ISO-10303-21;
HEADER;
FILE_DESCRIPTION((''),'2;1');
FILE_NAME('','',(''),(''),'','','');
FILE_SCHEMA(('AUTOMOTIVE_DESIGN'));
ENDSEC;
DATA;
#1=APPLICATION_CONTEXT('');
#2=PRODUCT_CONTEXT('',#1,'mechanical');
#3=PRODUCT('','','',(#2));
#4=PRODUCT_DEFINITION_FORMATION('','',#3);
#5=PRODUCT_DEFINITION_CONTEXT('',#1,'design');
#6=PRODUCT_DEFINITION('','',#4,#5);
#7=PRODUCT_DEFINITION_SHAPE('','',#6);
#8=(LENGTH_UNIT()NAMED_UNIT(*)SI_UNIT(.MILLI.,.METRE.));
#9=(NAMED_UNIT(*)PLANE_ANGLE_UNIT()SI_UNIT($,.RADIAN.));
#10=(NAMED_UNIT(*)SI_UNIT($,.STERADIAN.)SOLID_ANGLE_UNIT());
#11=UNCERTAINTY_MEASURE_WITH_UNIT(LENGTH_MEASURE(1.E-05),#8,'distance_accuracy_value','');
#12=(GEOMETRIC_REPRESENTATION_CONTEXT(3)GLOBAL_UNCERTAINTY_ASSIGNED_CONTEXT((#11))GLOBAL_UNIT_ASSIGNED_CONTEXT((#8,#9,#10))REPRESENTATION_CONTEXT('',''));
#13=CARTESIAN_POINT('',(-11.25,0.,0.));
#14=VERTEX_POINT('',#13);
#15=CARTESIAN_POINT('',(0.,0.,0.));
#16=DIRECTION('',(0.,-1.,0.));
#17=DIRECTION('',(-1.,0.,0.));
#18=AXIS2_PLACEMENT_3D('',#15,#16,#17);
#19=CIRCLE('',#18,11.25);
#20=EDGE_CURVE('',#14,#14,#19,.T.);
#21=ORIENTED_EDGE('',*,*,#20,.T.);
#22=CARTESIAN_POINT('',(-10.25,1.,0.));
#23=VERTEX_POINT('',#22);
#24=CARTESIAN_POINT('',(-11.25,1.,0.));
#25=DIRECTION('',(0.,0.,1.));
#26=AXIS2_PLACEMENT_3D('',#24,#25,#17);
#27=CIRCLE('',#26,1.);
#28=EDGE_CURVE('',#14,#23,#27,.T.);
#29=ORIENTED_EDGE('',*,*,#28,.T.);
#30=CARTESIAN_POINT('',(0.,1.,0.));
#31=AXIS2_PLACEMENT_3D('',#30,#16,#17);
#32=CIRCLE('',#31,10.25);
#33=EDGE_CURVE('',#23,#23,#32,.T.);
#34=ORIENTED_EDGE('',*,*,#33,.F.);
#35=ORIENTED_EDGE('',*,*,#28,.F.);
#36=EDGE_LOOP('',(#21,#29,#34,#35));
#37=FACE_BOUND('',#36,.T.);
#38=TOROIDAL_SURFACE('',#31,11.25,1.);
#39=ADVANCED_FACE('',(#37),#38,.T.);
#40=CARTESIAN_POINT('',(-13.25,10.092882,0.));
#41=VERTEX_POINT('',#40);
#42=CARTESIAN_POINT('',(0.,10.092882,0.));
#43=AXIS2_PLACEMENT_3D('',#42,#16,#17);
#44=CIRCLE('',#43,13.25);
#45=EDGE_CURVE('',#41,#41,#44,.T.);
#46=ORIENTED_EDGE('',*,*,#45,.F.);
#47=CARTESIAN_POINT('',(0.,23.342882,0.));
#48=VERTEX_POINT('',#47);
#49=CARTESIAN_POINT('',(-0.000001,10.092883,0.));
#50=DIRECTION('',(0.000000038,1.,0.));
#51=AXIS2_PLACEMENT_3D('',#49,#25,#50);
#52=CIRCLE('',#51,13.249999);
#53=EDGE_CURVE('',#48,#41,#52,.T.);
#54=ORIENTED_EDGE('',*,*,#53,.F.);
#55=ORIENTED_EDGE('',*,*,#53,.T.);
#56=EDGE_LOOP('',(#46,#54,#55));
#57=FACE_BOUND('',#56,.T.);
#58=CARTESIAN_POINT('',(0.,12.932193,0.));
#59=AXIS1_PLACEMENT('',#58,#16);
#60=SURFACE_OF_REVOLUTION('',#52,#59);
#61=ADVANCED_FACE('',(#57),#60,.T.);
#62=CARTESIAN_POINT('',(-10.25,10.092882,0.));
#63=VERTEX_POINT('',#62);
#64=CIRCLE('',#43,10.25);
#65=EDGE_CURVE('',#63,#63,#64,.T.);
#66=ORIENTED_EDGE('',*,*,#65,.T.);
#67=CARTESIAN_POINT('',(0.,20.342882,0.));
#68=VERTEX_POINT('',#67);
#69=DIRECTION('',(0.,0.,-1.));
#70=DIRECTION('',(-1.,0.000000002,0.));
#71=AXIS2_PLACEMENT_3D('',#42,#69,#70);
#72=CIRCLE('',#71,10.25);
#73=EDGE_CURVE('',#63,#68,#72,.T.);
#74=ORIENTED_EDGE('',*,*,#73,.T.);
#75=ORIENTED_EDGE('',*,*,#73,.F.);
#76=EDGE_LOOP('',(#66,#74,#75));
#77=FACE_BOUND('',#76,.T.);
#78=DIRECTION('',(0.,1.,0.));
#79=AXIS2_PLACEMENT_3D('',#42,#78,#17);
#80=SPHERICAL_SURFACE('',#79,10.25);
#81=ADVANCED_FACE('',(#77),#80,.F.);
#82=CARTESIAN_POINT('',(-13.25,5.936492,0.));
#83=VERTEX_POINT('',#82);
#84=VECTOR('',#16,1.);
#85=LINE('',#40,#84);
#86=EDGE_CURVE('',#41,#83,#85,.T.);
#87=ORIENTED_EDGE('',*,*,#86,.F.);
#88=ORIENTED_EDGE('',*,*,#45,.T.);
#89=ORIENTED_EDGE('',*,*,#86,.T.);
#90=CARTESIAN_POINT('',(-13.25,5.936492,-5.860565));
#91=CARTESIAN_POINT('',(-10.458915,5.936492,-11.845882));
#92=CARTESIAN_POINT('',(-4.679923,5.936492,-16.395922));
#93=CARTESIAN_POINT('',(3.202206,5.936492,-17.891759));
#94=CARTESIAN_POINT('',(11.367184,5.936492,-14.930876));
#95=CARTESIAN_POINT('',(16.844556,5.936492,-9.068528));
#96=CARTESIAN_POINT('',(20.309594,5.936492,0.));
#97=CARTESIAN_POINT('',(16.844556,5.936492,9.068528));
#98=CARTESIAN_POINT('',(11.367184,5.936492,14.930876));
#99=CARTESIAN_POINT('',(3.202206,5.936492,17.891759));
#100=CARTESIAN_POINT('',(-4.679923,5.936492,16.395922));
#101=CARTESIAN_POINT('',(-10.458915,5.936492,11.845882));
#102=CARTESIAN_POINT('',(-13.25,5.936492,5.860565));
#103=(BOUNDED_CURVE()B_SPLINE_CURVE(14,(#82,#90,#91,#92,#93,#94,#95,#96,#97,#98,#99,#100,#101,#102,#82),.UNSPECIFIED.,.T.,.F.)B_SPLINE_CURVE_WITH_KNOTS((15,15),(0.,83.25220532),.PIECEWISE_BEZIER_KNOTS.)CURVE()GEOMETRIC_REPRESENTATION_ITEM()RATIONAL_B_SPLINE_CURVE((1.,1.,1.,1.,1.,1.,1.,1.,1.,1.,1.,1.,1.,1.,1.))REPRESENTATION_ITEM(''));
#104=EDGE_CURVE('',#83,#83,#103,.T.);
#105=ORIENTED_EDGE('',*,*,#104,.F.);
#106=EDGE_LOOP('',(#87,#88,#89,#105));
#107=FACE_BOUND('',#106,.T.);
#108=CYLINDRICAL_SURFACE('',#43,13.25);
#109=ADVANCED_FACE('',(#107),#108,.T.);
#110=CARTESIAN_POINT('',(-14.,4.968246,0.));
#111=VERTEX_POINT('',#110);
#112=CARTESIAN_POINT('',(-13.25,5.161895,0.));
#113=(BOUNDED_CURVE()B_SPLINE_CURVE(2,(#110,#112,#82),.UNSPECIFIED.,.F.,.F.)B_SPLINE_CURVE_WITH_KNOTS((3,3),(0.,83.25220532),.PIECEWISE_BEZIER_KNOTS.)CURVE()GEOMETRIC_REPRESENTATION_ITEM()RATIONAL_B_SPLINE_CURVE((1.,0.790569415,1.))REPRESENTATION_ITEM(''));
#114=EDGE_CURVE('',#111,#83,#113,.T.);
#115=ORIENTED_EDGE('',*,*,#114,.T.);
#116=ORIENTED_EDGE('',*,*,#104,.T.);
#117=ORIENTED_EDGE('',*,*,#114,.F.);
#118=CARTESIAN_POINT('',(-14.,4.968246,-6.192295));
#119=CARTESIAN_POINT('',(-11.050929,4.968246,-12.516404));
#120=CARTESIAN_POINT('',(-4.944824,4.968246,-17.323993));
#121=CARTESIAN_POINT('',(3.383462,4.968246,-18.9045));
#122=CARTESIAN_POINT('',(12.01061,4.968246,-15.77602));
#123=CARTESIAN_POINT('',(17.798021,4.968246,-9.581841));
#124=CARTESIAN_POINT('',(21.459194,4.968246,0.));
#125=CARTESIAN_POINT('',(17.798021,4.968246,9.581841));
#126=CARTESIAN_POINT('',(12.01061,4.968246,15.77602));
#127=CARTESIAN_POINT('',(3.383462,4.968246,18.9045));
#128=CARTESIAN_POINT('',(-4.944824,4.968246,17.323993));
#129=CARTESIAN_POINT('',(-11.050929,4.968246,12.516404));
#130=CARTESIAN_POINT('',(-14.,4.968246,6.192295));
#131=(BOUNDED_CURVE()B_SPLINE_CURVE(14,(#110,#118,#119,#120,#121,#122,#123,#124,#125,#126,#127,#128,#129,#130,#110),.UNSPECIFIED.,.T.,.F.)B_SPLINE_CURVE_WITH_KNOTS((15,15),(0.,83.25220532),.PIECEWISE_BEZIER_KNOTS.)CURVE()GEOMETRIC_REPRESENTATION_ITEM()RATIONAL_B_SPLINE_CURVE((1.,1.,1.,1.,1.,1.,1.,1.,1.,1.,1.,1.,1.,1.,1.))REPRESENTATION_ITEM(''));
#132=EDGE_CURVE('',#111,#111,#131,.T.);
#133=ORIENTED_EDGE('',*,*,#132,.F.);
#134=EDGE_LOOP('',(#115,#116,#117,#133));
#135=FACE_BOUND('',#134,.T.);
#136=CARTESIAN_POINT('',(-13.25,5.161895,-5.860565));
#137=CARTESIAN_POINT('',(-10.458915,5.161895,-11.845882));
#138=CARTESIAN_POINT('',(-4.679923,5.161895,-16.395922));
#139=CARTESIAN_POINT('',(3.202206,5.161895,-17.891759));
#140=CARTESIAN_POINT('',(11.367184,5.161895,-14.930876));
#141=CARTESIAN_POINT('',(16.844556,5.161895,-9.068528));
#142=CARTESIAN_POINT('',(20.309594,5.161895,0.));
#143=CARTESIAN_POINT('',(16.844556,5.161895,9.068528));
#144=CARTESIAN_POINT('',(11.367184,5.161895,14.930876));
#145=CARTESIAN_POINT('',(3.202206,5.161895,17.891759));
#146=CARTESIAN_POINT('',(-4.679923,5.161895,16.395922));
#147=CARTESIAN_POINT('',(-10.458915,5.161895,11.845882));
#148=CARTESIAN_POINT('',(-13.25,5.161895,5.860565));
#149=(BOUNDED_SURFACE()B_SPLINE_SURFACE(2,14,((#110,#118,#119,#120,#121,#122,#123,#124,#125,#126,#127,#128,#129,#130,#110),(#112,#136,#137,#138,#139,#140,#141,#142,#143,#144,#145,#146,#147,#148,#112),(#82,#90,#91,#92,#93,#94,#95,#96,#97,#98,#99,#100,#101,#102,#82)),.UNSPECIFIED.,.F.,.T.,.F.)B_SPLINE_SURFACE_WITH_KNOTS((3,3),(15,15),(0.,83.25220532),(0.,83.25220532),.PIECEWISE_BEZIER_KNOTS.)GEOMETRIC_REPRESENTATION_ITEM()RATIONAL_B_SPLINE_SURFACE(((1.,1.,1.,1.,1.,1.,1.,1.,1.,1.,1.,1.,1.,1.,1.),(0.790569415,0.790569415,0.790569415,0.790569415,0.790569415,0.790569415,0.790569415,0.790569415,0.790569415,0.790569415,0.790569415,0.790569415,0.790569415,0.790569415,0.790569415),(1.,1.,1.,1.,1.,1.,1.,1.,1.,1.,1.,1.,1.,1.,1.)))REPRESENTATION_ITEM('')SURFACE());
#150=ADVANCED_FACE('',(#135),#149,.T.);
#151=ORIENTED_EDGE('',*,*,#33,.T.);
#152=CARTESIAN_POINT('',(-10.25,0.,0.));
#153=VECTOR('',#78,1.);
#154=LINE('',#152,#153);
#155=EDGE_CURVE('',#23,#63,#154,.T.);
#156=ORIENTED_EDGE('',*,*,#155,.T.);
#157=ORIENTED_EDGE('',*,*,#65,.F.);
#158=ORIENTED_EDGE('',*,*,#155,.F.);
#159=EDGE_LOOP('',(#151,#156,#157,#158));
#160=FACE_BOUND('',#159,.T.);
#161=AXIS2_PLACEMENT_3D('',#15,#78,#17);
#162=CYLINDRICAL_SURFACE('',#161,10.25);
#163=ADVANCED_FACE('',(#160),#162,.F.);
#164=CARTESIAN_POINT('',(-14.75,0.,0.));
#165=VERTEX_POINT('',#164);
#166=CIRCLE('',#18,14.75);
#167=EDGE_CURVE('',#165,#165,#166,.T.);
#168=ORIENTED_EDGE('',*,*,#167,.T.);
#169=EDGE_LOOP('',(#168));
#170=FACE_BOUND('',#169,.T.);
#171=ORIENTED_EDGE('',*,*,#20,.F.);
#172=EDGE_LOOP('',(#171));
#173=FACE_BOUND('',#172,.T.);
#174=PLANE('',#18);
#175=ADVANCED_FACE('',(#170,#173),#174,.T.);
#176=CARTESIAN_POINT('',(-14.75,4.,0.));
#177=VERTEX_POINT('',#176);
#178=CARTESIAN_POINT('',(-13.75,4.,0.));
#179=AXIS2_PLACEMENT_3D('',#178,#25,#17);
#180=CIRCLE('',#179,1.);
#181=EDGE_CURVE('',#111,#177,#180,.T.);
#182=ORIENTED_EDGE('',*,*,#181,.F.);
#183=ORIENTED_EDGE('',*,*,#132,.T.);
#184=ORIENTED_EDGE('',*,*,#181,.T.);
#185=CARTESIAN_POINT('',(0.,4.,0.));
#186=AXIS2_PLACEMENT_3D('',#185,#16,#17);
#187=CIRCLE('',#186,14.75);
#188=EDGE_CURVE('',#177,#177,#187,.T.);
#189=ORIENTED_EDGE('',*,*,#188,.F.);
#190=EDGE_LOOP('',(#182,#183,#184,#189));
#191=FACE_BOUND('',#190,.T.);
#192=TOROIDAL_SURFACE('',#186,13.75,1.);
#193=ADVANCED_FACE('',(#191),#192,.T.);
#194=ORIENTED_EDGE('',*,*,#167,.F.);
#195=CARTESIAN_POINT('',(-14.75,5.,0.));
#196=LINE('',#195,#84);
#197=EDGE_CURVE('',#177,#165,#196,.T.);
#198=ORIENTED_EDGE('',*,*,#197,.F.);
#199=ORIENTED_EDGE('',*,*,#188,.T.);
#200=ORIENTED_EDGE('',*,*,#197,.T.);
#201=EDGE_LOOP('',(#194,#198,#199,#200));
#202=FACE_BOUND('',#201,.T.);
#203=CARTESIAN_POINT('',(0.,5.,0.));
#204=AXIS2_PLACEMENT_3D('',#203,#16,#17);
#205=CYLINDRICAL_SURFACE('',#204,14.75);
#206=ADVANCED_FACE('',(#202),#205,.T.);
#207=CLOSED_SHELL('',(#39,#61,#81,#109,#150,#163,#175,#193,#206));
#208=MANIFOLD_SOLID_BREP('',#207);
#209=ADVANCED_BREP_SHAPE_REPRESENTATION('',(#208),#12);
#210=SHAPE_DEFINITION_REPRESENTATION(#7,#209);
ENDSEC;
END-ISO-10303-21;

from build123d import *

# Parameters (mm, degrees)
F2_R = 1
F3_R = 1
F4_R = 1


with BuildPart() as f1:
    # F0 (on Top) → F1 (revolve)
    with BuildSketch(Plane.XY):
        with BuildLine():
            ThreePointArc((-10.25, 10.092882), (-7.247845, 17.340726), (0, 20.342882))
            Line((0, 20.342882), (0, 23.342882))
            ThreePointArc((0, 23.342882), (-9.369165, 19.462047), (-13.25, 10.092882))
            Line((-13.25, 10.092882), (-13.25, 5))
            Line((-13.25, 5), (-14.75, 5))
            Line((-14.75, 5), (-14.75, 0))
            Line((-14.75, 0), (-13.25, 0))
            Line((-13.25, 0), (-10.25, 0))
            Line((-10.25, 0), (-10.25, 10.092882))
        make_face()
    revolve(axis=Axis((0, 12.932193, 0), (0, -1, 0)))

    # F2
    f2_edges = [f1.edges().sort_by_distance(p)[0] for p in [
        (14.75, 5, 0),
    ]]
    fillet(f2_edges, radius=F2_R)

    # F3
    f3_edges = [f1.edges().sort_by_distance(p)[0] for p in [
        (10.25, 0, 0),
    ]]
    fillet(f3_edges, radius=F3_R)

    # F4
    f4_edges = [f1.edges().sort_by_distance(p)[0] for p in [
        (13.25, 5, 0),
    ]]
    fillet(f4_edges, radius=F4_R)


solid = f1.part
